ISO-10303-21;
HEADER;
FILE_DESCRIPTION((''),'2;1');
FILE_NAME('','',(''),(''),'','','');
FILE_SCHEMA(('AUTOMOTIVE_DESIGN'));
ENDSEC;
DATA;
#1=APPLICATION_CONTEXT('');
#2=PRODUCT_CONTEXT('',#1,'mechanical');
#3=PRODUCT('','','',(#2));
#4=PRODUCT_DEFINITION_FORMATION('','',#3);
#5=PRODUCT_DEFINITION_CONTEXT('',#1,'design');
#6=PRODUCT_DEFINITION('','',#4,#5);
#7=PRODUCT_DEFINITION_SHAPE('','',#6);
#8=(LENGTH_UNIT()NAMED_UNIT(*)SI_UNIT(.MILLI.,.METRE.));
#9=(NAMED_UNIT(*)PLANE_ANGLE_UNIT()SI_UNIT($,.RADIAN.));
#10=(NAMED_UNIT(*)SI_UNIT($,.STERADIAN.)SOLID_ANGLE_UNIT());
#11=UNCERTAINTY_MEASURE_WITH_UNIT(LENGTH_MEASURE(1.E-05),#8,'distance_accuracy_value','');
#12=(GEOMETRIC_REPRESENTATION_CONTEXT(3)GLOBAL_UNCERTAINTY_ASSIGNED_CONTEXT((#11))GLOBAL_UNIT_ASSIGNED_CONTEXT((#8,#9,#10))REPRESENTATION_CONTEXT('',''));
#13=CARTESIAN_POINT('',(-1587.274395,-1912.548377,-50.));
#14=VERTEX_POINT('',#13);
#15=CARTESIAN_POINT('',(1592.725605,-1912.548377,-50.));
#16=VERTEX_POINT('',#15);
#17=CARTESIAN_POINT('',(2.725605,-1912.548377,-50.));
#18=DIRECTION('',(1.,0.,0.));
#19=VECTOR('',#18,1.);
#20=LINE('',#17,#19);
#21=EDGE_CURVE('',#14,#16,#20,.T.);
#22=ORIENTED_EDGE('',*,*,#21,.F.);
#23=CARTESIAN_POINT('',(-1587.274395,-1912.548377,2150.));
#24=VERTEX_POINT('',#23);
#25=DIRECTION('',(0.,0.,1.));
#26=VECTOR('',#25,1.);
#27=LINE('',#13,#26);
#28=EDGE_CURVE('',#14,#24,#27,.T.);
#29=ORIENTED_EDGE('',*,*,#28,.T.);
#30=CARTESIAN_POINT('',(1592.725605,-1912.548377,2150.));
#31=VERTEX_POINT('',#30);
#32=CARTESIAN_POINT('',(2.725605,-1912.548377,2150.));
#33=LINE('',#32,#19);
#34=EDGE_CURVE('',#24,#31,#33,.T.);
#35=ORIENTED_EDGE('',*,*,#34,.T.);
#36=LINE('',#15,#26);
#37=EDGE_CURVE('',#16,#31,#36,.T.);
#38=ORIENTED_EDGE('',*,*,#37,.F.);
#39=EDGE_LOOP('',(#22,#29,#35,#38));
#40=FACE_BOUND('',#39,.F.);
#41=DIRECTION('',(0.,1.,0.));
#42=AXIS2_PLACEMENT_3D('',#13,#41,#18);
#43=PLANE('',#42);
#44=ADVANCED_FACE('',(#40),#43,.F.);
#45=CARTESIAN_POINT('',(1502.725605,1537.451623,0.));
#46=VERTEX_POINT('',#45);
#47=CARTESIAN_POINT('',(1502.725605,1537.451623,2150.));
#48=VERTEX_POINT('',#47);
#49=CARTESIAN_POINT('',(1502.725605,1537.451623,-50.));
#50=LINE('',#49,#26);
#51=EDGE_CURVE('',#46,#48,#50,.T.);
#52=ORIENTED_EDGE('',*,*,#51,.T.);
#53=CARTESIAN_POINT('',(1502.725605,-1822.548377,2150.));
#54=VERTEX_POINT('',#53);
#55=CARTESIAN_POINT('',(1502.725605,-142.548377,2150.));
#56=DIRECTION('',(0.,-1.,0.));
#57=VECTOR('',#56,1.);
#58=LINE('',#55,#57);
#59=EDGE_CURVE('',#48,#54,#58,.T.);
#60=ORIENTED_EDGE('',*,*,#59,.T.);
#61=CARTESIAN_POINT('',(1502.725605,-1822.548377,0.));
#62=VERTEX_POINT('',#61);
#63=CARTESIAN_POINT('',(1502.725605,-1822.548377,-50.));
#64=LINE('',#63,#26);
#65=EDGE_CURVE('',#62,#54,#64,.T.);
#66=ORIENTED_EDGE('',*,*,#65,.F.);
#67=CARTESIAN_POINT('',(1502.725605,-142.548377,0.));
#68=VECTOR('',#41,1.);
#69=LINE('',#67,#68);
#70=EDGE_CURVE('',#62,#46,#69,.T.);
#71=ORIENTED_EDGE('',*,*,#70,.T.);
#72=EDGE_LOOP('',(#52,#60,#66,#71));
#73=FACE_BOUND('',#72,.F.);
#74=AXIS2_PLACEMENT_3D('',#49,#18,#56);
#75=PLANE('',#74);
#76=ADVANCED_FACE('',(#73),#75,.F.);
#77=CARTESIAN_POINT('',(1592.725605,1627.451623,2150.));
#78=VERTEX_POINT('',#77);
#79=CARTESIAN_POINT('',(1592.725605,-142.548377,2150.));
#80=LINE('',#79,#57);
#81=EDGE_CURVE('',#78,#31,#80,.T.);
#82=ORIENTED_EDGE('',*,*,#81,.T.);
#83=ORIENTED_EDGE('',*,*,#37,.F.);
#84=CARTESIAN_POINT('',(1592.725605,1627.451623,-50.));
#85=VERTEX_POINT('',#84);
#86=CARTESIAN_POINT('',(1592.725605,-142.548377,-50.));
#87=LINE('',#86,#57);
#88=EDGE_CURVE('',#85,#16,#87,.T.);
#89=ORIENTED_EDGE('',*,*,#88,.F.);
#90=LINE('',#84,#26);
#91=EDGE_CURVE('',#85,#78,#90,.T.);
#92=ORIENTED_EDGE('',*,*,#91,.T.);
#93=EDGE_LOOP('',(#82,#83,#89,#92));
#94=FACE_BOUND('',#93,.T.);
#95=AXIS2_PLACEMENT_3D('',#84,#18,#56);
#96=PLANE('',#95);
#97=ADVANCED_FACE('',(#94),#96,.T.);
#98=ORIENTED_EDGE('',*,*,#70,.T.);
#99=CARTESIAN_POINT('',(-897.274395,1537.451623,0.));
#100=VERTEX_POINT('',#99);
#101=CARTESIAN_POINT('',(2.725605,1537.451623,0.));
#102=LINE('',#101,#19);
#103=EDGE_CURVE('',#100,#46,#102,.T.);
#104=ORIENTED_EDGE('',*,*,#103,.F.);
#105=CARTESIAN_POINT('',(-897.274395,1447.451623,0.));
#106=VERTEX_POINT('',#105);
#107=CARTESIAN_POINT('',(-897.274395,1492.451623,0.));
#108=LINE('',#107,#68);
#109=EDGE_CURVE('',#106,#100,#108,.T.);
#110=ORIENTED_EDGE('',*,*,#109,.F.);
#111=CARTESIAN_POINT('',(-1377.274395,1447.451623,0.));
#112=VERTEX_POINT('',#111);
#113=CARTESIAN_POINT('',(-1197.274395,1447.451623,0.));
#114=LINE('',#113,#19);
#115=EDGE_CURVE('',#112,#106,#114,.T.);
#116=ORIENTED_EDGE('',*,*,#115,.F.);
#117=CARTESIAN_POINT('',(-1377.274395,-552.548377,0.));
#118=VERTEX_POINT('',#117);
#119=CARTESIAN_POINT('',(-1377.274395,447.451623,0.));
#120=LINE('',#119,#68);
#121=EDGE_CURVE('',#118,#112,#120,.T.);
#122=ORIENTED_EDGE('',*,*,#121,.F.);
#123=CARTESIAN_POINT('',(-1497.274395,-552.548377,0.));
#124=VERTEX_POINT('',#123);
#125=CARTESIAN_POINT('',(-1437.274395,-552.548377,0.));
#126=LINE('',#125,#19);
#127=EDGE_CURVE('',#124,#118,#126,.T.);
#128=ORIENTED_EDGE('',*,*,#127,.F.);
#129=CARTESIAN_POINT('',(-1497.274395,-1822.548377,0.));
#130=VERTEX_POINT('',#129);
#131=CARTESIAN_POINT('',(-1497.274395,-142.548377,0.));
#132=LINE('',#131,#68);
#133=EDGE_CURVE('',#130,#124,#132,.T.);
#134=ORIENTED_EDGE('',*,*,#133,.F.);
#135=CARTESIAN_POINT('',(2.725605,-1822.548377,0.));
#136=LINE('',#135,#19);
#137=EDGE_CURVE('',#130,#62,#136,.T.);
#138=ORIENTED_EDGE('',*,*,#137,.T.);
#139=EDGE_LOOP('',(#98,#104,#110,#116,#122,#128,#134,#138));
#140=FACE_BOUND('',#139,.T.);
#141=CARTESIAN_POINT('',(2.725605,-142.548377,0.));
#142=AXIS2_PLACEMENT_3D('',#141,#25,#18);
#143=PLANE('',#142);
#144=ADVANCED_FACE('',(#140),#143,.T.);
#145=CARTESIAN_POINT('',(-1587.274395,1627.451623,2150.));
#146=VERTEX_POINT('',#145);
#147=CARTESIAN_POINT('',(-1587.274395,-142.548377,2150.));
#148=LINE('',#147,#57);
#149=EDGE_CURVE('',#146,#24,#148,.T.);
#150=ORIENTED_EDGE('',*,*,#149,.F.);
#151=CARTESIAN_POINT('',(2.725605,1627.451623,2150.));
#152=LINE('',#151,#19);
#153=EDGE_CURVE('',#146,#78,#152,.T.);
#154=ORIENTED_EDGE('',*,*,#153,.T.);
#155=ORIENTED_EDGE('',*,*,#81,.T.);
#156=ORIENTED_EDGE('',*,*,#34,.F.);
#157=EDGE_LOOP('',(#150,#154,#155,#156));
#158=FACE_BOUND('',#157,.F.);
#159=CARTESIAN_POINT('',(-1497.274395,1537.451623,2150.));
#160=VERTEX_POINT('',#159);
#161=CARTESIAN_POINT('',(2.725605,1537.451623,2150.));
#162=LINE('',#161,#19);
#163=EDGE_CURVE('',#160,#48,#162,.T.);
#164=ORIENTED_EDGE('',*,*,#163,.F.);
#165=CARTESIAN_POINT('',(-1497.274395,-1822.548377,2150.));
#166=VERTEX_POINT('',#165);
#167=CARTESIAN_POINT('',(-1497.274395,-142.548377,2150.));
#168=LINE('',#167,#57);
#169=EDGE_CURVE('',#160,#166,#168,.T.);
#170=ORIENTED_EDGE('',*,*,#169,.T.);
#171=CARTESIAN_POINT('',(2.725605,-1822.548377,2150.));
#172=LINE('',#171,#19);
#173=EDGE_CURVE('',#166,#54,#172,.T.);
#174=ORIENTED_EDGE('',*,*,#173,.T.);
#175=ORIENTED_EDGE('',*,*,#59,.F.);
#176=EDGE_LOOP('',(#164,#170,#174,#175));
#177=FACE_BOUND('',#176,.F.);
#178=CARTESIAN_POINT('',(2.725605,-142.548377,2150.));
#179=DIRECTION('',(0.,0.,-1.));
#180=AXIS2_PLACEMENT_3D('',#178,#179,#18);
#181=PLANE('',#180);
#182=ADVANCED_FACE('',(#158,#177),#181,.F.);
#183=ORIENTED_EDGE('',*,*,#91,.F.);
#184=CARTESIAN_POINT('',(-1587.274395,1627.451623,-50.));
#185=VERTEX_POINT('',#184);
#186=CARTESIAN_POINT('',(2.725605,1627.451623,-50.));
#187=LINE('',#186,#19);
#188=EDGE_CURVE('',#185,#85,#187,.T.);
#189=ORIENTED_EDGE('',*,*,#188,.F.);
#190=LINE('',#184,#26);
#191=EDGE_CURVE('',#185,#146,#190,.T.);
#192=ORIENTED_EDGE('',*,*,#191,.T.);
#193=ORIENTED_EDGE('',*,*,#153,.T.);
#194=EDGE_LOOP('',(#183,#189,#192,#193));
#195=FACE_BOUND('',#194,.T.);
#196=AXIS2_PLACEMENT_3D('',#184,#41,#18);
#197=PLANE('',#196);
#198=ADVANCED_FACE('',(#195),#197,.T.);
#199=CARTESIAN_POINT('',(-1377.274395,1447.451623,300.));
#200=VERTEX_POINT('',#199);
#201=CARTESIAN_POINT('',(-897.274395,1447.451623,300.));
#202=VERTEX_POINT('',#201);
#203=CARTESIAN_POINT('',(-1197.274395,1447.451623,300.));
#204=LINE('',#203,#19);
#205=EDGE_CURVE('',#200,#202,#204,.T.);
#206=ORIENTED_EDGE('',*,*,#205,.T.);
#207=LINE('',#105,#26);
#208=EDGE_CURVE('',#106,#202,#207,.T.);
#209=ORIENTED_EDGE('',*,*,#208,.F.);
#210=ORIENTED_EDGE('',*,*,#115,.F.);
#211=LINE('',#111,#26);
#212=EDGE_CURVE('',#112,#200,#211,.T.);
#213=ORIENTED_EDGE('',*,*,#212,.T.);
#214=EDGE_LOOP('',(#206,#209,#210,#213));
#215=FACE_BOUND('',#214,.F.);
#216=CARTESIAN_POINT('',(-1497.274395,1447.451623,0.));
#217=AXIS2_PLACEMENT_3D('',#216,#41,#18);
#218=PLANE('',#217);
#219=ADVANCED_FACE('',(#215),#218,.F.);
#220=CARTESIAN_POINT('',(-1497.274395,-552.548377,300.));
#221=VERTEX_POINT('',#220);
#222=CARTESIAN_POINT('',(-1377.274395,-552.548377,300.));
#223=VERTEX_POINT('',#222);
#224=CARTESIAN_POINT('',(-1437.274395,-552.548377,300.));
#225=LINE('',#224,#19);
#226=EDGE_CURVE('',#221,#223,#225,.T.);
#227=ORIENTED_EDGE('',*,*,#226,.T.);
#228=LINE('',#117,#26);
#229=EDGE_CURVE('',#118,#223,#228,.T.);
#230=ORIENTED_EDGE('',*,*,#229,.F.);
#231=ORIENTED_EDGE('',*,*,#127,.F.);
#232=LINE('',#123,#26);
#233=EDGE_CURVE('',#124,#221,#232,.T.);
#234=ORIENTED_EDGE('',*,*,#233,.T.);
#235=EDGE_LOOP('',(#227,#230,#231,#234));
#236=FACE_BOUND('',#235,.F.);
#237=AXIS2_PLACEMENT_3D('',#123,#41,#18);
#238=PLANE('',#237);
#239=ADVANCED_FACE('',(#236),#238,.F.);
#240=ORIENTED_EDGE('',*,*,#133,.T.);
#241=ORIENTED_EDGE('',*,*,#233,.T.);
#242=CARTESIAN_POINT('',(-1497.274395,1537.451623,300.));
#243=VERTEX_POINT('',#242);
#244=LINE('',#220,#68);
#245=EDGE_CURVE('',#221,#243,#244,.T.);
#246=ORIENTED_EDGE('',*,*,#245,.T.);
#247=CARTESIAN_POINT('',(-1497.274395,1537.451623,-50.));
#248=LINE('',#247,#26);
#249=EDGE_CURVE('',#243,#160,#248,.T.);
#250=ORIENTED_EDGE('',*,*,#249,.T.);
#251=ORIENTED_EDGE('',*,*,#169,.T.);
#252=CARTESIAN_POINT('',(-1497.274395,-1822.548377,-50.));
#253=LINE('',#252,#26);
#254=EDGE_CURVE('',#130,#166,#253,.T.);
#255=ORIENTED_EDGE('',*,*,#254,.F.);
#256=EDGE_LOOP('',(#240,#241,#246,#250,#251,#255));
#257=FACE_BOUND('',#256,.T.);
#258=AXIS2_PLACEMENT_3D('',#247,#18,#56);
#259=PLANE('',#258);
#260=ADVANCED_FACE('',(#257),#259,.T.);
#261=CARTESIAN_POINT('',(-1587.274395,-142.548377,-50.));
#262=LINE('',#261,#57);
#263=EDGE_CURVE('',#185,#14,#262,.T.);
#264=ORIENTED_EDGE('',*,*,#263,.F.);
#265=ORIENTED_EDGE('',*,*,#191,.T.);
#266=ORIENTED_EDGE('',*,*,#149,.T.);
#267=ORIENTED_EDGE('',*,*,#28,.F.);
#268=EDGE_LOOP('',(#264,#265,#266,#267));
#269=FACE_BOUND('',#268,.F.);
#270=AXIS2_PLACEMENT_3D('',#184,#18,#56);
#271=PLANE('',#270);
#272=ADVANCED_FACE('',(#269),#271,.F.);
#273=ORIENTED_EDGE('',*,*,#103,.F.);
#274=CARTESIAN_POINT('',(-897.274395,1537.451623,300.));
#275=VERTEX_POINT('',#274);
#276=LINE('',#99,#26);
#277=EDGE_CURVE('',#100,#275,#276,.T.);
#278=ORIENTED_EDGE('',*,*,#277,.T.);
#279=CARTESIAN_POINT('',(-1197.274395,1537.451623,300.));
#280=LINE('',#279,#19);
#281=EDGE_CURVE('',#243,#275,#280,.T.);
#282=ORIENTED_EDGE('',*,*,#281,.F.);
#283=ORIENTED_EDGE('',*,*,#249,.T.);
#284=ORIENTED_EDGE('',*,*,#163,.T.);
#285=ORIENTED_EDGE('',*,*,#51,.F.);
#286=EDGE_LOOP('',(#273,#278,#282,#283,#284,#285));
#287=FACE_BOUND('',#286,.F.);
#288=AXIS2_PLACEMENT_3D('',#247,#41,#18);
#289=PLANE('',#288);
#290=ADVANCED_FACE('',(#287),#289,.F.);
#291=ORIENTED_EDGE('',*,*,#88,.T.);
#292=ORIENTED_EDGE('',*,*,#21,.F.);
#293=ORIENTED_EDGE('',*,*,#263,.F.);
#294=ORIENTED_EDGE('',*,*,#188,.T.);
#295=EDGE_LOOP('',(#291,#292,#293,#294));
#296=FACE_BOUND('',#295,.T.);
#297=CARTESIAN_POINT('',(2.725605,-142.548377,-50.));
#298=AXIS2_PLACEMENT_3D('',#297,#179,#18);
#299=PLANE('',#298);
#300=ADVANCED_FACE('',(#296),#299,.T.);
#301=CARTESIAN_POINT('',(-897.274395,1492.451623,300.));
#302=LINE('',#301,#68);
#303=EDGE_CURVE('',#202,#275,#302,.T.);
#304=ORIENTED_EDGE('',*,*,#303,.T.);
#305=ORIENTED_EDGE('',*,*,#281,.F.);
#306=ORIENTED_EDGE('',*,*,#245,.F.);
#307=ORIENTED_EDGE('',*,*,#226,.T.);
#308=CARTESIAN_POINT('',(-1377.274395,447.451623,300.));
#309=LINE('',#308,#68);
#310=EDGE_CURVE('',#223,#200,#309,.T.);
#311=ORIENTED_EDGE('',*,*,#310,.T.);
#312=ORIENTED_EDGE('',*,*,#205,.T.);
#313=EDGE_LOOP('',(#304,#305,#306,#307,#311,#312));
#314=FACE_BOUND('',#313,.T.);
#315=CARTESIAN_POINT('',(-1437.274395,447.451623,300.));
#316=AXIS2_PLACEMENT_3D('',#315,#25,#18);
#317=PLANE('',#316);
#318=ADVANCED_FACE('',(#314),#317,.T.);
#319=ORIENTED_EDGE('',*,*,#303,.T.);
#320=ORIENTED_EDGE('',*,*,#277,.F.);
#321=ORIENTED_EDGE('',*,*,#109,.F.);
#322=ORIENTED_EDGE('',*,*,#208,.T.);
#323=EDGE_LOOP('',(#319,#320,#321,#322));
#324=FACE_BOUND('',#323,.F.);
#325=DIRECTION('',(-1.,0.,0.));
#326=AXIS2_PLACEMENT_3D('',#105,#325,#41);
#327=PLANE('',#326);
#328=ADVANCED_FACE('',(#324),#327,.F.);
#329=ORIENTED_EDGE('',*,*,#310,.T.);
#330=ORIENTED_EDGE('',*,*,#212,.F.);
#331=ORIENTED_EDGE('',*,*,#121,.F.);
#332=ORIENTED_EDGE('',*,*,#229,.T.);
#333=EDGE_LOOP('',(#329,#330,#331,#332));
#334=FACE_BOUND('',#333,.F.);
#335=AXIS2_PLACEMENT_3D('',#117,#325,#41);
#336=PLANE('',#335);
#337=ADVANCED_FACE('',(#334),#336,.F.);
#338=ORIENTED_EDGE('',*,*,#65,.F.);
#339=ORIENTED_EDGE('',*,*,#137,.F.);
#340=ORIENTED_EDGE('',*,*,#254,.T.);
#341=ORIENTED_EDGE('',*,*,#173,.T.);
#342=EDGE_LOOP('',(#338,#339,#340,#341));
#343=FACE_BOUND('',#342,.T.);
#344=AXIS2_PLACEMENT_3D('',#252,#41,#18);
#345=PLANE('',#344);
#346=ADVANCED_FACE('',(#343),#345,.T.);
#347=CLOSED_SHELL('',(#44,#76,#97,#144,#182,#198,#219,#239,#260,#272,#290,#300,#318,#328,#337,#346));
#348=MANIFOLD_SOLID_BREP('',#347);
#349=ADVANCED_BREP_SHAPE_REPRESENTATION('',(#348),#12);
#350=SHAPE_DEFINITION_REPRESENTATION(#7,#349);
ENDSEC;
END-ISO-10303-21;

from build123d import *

# Parameters (mm, degrees)
F0_W      = 3000
F0_H      = 3360
F1_DEPTH  = 50
F2_W      = 600
F2_H      = 90
F3_DEPTH  = 300
F7_W      = 120
F7_H      = 2000
F8_DEPTH  = 300
F10_W     = 3180
F10_H     = 3540
F10_W_2   = 3000
F10_H_2   = 3360
F11_DEPTH = 2200


with BuildPart() as f1:
    # F0 (on Top) → F1 (new body)
    with BuildSketch(Plane.XY):
        with Locations((2.7256049216, -142.5483769343)):
            Rectangle(F0_W, F0_H)
    extrude(amount=-F1_DEPTH)

    # F2 (on face) → F3 (join)
    with BuildSketch(Plane.XY):
        with Locations((-1197.2743950784, 1492.4516230657)):
            Rectangle(F2_W, F2_H)
    extrude(amount=F3_DEPTH)

    # F7 (on face) → F8 (join)
    with BuildSketch(Plane.XY):
        with Locations((-1437.2743950784, 447.4516230657)):
            Rectangle(F7_W, F7_H)
    extrude(amount=F8_DEPTH)

    # F10 (on offset) → F11 (join)
    with BuildSketch(Plane(origin=(0, 0, -50), x_dir=(1, 0, 0), z_dir=(0, 0, -1))):
        with Locations((2.7256049216, 142.5483769343)):
            Rectangle(F10_W, F10_H)
        with Locations((2.7256049216, 142.5483769343)):
            Rectangle(F10_W_2, F10_H_2, mode=Mode.SUBTRACT)
    extrude(amount=-F11_DEPTH)


solid = f1.part
